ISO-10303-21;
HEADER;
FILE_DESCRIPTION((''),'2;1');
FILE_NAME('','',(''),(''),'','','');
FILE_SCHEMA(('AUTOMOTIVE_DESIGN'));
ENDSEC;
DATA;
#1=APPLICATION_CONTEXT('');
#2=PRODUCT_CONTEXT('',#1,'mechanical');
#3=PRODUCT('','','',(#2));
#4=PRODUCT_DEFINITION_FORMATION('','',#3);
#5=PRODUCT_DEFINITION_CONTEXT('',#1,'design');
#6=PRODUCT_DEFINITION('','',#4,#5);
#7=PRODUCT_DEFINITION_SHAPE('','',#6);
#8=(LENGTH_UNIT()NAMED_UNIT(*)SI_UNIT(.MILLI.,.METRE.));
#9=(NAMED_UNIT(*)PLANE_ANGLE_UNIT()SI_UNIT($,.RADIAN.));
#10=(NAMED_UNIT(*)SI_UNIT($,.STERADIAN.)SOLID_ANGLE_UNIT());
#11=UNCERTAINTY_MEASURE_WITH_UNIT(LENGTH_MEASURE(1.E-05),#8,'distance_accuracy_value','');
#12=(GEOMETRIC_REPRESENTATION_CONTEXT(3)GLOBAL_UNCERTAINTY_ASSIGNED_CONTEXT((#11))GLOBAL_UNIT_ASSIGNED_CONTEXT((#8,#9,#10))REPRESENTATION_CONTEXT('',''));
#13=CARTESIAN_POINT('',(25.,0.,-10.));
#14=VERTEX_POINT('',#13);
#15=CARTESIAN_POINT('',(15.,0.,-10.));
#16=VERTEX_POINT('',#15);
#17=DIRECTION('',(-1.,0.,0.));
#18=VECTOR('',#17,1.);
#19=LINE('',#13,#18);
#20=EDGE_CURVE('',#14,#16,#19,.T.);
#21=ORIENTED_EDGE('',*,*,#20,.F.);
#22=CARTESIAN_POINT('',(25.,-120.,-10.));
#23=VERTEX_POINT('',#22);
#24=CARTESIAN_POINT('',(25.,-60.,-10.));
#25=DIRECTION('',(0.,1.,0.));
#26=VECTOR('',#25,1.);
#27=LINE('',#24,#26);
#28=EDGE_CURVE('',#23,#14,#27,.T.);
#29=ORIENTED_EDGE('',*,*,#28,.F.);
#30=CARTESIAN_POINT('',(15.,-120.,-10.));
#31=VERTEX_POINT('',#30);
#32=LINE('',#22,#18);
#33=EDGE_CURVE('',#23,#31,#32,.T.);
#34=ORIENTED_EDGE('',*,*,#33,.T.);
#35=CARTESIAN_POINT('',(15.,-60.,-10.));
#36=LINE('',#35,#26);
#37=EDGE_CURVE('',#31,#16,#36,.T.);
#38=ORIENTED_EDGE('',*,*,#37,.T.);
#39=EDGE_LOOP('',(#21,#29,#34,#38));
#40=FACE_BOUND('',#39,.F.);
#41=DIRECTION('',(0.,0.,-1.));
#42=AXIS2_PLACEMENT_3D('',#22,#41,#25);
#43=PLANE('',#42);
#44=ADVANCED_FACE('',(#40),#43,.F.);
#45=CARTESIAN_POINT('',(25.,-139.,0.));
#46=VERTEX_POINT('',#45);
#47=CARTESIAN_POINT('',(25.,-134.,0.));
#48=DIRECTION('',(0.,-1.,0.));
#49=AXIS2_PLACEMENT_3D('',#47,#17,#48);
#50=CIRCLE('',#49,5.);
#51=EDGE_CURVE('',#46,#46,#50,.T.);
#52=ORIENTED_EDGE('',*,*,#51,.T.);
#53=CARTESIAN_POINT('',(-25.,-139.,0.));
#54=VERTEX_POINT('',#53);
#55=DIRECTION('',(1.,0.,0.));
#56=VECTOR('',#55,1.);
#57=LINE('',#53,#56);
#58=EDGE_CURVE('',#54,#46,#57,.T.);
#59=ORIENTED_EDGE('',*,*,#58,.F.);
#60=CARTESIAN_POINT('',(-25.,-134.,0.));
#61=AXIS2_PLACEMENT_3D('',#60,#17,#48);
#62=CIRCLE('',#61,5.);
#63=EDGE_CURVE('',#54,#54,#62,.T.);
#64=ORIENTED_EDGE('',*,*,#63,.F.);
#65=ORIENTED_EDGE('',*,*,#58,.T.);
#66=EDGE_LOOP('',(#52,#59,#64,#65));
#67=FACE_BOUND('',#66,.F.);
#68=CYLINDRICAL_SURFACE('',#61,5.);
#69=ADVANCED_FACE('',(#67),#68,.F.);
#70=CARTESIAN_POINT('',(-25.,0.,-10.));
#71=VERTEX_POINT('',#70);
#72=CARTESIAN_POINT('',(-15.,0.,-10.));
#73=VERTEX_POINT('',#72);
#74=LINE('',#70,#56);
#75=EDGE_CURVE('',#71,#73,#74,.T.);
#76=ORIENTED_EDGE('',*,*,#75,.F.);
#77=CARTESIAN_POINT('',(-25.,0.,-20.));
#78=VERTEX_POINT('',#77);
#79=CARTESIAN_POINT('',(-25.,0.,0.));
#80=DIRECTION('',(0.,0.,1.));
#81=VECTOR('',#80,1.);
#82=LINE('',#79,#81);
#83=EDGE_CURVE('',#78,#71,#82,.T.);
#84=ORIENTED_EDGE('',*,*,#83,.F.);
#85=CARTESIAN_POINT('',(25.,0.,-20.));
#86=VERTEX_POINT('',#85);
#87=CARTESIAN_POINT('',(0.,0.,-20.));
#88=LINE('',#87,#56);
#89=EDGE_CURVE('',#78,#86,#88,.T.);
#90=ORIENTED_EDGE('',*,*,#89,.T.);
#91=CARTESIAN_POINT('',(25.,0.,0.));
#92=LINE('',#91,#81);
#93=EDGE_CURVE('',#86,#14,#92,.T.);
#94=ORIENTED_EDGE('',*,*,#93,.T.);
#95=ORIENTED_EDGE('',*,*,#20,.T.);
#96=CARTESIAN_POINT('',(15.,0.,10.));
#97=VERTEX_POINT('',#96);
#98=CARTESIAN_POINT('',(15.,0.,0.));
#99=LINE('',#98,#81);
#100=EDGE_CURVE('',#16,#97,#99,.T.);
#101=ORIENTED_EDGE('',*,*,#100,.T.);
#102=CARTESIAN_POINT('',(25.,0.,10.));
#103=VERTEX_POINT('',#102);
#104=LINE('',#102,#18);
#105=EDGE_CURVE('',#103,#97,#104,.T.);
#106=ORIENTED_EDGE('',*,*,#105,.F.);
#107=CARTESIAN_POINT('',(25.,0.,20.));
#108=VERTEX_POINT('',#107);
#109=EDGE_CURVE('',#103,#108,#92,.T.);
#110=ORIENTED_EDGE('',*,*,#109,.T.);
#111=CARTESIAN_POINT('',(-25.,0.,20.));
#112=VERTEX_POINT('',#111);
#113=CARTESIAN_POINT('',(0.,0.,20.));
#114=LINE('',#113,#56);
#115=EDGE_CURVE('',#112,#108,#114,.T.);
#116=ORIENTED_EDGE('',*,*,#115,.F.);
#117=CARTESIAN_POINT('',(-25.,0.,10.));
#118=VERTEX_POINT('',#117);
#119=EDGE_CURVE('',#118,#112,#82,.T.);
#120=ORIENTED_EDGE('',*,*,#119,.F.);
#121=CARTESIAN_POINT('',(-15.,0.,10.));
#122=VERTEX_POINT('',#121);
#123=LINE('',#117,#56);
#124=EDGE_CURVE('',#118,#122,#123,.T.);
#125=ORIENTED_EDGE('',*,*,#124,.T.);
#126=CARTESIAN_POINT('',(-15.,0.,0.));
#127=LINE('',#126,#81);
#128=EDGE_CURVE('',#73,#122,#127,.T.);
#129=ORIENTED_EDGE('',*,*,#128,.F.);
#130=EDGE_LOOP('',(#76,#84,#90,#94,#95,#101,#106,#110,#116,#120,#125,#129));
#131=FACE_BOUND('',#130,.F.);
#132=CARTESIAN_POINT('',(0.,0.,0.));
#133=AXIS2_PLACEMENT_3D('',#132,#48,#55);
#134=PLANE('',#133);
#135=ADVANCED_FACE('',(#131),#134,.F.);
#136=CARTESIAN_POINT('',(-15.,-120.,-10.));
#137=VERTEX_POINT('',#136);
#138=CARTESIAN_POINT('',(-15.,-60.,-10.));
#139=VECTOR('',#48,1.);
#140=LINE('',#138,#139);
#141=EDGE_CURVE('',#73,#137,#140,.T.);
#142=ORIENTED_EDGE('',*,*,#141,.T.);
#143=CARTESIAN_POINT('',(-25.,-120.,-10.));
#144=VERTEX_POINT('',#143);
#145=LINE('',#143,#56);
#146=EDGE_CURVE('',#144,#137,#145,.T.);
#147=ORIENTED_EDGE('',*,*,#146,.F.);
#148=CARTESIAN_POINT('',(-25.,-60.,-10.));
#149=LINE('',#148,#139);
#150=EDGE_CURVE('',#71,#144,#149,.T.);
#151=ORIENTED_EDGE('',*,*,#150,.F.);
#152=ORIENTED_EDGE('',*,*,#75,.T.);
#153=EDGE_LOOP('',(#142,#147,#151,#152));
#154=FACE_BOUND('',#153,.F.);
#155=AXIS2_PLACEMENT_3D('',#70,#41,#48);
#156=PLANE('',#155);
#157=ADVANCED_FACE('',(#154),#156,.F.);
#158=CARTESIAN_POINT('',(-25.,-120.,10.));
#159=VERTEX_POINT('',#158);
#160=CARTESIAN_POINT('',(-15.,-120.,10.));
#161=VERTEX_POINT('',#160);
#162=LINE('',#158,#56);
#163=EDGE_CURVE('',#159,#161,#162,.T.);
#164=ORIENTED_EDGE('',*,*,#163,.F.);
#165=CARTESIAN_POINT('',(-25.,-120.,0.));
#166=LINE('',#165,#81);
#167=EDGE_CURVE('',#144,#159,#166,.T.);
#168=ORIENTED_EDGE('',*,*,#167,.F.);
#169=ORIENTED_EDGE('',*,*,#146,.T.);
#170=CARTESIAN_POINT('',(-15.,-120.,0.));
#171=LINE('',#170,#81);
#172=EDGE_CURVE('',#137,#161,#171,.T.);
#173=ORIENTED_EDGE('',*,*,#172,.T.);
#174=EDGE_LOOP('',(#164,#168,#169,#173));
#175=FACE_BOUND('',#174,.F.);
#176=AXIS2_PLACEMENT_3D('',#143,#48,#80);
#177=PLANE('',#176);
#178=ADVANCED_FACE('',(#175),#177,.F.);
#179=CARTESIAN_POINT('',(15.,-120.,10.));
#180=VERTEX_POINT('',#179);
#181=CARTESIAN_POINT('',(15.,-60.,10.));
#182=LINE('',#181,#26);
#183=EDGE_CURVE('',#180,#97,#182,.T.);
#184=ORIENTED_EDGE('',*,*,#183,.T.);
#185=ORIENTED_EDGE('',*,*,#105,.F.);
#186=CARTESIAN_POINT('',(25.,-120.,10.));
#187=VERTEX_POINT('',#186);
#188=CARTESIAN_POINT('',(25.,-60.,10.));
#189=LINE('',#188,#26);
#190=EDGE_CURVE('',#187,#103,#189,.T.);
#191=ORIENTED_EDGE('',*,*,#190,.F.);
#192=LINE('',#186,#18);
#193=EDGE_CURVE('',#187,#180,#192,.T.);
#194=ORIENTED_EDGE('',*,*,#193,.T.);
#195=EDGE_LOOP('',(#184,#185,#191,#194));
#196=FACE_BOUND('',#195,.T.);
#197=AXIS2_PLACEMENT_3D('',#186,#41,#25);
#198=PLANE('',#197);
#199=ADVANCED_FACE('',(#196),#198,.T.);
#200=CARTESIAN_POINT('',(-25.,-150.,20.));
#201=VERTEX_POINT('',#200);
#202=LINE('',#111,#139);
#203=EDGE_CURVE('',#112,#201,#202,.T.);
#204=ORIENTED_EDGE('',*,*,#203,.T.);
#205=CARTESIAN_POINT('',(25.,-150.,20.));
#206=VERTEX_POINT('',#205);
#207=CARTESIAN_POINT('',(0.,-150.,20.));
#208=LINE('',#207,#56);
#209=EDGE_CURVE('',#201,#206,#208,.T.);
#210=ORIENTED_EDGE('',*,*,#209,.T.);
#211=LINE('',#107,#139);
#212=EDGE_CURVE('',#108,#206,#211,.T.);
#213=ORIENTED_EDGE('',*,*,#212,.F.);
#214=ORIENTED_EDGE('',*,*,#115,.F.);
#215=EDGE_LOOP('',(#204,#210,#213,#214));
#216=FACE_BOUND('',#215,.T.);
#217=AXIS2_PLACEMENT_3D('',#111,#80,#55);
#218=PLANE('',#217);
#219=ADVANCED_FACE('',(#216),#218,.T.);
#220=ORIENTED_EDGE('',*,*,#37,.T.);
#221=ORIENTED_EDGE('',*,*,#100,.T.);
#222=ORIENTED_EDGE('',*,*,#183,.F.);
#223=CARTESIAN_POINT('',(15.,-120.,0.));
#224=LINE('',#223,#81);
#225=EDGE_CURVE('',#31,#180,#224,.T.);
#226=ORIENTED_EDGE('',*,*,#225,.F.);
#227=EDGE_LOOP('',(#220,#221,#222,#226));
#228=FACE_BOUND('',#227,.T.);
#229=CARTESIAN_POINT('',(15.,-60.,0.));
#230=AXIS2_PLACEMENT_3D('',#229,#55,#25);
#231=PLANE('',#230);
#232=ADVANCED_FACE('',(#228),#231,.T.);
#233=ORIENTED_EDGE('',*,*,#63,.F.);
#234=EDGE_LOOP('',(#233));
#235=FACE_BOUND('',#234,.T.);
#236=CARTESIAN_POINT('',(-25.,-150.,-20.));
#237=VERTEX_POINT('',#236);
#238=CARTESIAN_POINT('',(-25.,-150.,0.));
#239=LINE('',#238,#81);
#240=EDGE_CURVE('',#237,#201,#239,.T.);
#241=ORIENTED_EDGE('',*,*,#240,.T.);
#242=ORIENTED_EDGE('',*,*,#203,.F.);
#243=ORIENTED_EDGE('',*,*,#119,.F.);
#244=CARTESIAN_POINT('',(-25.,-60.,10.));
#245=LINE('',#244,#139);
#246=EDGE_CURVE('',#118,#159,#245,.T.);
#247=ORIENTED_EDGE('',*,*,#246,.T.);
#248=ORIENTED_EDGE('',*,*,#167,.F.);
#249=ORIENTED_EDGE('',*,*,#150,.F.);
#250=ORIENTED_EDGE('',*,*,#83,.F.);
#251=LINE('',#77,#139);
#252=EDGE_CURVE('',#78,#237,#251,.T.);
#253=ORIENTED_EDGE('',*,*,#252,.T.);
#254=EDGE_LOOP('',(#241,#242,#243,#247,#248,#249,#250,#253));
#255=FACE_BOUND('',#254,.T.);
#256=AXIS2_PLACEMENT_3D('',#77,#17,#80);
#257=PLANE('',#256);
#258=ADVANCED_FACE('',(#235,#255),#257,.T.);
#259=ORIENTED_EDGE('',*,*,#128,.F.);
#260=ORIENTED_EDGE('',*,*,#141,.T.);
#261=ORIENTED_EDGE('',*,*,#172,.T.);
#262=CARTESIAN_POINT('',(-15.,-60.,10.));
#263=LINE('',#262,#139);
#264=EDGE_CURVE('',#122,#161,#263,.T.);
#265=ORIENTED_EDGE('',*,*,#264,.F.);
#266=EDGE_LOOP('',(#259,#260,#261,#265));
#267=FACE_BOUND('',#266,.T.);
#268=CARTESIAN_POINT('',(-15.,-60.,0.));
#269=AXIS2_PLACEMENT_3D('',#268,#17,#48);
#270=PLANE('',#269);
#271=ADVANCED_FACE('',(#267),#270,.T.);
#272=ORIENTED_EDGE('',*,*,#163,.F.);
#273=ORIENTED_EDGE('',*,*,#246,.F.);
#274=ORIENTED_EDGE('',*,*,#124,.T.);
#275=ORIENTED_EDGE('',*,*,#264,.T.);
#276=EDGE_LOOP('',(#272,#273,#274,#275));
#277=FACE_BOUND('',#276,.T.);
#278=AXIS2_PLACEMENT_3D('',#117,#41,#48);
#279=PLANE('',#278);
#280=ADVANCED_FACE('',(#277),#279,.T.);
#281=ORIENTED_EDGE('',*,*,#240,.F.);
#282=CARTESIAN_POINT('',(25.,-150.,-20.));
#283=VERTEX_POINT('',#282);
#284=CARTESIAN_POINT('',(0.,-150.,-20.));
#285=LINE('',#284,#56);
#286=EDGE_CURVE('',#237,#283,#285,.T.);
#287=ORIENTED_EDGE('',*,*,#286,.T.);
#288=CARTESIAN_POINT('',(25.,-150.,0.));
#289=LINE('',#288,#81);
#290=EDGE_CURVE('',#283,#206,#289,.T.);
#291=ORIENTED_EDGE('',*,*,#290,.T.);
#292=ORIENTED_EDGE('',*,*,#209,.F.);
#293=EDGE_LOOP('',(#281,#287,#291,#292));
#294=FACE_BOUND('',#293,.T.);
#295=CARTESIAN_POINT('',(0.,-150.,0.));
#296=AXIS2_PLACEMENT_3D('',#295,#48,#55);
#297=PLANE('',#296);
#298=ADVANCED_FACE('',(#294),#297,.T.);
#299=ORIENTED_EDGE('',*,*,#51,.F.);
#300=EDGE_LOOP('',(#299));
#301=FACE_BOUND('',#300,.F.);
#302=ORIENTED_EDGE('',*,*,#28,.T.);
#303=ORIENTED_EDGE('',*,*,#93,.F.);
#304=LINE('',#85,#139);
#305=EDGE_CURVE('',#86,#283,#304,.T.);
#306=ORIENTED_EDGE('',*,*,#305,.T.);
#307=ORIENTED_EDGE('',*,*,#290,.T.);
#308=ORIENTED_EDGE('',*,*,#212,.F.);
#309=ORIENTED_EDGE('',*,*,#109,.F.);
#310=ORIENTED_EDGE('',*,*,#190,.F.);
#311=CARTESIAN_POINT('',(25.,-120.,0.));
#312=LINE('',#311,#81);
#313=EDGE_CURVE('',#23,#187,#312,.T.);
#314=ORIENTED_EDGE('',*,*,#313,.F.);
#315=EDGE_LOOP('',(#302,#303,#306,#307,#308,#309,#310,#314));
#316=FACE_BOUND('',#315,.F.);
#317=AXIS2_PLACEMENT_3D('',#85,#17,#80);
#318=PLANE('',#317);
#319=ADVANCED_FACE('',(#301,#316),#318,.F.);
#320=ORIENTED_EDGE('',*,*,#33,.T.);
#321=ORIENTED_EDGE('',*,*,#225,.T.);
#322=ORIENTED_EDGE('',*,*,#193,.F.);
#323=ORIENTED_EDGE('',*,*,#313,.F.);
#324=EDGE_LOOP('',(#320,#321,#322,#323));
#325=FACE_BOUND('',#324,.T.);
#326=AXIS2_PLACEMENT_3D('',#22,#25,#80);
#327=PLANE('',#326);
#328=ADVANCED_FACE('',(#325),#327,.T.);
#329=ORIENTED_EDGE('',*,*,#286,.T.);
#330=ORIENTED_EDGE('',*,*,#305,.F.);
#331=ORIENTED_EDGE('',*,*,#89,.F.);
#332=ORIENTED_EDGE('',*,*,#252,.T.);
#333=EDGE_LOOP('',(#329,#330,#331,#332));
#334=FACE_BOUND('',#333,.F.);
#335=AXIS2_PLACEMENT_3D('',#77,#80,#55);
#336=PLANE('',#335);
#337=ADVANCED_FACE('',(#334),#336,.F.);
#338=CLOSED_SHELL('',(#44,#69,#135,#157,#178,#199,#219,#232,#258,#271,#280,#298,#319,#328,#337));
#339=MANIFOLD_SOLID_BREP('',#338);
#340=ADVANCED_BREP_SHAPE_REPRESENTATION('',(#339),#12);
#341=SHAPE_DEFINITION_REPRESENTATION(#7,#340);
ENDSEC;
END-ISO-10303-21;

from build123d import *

# Parameters (mm, degrees)
F0_W     = 50
F0_H     = 40
F1_DEPTH = 150
F2_W     = 120
F2_H     = 20
F3_DEPTH = 10
F5_W     = 120
F5_H     = 20
F6_DEPTH = 10
F8_R     = 5
F9_DEPTH = 60


with BuildPart() as f1:
    # F0 (on Front) → F1 (new body)
    with BuildSketch(Plane.XZ):
        Rectangle(F0_W, F0_H)
    extrude(amount=F1_DEPTH)


with BuildPart() as f3:
    # F2 (on face) → F3 (new body)
    with BuildSketch(Plane.YZ.offset(25)):
        with Locations((-60, 0)):
            Rectangle(F2_W, F2_H)
    extrude(amount=-F3_DEPTH)


with BuildPart() as f1_1:
    add(f1.part)

    # F4: cut F3
    add(f3.part, mode=Mode.SUBTRACT)


with BuildPart() as f6:
    # F5 (on face) → F6 (new body)
    with BuildSketch(Plane(origin=(-25, 0, 0), x_dir=(0, -1, 0), z_dir=(-1, 0, 0))):
        with Locations((60, 0)):
            Rectangle(F5_W, F5_H)
    extrude(amount=-F6_DEPTH)


with BuildPart() as f1_2:
    add(f1_1.part)

    # F7: cut F6
    add(f6.part, mode=Mode.SUBTRACT)


with BuildPart() as f9:
    # F8 (on face) → F9 (new body)
    with BuildSketch(Plane(origin=(-25, 0, 0), x_dir=(0, -1, 0), z_dir=(-1, 0, 0))):
        with Locations((134, 0)):
            Circle(F8_R)
    extrude(amount=-F9_DEPTH)


with BuildPart() as f1_3:
    add(f1_2.part)

    # F10: cut F9
    add(f9.part, mode=Mode.SUBTRACT)


solid = f1_3.part
